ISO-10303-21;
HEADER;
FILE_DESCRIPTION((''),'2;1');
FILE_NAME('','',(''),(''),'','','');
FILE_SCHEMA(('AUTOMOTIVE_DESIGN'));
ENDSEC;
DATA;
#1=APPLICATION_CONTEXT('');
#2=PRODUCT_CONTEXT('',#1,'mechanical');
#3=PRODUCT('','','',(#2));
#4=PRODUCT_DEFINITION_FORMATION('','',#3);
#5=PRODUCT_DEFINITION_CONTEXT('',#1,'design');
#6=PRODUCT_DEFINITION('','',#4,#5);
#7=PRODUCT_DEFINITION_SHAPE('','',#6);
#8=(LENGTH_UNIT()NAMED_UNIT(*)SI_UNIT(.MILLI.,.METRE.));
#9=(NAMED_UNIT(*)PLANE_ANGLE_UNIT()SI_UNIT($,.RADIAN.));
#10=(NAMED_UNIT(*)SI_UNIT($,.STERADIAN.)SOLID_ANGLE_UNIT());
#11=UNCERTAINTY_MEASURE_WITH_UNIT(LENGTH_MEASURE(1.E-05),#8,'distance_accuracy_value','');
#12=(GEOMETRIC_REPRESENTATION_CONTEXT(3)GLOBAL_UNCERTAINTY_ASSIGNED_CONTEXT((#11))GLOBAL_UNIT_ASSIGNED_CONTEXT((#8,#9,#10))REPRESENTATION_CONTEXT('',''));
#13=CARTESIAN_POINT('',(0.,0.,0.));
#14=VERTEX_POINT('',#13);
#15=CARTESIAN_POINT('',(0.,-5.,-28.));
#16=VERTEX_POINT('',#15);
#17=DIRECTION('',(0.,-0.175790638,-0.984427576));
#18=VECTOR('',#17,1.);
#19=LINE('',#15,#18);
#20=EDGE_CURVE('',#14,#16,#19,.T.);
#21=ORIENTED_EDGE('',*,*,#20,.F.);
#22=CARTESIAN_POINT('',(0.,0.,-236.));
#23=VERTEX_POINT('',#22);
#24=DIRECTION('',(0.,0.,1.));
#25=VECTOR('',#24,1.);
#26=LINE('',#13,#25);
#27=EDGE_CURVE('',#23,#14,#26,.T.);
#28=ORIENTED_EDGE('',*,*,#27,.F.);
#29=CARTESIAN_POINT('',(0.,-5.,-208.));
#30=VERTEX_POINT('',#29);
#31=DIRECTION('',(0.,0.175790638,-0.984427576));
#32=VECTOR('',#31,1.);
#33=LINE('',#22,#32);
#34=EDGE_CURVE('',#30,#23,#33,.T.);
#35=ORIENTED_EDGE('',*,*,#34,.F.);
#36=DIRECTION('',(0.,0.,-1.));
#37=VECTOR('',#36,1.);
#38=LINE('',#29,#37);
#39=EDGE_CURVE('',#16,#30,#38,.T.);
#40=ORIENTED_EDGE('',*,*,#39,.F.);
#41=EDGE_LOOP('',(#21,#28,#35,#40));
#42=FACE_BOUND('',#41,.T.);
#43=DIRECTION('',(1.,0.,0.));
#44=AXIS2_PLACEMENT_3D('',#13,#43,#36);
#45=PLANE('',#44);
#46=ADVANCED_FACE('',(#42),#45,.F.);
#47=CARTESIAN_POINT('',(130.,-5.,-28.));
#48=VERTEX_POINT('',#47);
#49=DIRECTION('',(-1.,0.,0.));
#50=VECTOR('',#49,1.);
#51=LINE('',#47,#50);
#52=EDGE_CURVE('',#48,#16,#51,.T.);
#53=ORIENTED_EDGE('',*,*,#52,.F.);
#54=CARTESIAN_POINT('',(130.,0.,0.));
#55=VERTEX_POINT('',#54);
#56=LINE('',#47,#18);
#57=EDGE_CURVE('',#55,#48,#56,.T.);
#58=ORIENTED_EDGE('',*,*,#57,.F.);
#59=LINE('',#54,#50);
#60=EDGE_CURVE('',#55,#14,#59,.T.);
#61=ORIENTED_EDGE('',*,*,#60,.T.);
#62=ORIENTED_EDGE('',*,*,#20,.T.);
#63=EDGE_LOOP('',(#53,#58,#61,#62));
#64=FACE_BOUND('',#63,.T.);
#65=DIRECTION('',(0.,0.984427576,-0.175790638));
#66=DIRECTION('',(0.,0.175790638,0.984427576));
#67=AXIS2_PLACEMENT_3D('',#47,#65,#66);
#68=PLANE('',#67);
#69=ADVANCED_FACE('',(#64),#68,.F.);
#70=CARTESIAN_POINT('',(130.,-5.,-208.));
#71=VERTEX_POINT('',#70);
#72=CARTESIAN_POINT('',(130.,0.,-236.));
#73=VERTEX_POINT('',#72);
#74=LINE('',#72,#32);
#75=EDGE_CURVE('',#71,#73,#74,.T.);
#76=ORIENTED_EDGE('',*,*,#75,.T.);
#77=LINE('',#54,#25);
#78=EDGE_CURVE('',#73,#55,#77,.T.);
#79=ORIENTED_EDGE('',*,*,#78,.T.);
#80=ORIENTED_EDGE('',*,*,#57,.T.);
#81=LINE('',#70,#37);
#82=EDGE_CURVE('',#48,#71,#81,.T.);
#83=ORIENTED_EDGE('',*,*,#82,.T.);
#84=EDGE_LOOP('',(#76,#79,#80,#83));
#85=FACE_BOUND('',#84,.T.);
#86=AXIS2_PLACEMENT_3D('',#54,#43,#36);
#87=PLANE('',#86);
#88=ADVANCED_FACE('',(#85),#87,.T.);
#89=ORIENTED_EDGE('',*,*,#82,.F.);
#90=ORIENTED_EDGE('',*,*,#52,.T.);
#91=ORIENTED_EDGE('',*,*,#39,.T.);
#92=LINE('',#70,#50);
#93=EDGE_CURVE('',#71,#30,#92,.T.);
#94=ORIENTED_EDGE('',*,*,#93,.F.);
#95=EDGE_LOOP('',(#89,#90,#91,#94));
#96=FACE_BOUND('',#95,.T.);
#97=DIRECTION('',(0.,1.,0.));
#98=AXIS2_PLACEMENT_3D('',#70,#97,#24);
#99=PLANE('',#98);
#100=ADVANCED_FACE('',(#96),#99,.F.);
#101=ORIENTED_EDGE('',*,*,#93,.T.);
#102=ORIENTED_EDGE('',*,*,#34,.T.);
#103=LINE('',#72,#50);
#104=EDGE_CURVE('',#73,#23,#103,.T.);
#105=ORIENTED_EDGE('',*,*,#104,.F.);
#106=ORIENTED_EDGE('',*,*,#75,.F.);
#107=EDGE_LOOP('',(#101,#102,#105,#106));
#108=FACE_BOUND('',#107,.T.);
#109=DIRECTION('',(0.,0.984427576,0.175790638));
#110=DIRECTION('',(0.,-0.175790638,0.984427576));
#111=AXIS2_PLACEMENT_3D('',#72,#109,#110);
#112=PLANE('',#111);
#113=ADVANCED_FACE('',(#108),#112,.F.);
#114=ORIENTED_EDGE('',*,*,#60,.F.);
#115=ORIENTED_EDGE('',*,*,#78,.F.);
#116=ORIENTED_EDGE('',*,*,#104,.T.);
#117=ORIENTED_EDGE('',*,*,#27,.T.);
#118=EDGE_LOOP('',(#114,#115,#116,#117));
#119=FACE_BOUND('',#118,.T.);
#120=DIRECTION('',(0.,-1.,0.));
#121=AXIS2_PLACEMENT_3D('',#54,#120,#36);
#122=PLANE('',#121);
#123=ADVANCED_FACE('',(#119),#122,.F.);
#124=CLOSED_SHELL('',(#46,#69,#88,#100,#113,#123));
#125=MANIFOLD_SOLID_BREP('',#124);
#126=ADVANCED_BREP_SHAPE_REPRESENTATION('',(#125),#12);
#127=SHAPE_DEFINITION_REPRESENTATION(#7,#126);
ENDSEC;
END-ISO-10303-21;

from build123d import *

# Parameters (mm, degrees)
BOSS_EXTRUDE1_DEPTH = 130


with BuildPart() as part:
    # Sketch1 → Boss-Extrude1 (new body)
    with BuildSketch(Plane(origin=(0, 0, 0), x_dir=(0, 0, -1), z_dir=(1, 0, 0))):
        Polygon((0, 0), (236, 0), (208, -5), (28, -5), align=None)
    extrude(amount=BOSS_EXTRUDE1_DEPTH)


solid = part.part
